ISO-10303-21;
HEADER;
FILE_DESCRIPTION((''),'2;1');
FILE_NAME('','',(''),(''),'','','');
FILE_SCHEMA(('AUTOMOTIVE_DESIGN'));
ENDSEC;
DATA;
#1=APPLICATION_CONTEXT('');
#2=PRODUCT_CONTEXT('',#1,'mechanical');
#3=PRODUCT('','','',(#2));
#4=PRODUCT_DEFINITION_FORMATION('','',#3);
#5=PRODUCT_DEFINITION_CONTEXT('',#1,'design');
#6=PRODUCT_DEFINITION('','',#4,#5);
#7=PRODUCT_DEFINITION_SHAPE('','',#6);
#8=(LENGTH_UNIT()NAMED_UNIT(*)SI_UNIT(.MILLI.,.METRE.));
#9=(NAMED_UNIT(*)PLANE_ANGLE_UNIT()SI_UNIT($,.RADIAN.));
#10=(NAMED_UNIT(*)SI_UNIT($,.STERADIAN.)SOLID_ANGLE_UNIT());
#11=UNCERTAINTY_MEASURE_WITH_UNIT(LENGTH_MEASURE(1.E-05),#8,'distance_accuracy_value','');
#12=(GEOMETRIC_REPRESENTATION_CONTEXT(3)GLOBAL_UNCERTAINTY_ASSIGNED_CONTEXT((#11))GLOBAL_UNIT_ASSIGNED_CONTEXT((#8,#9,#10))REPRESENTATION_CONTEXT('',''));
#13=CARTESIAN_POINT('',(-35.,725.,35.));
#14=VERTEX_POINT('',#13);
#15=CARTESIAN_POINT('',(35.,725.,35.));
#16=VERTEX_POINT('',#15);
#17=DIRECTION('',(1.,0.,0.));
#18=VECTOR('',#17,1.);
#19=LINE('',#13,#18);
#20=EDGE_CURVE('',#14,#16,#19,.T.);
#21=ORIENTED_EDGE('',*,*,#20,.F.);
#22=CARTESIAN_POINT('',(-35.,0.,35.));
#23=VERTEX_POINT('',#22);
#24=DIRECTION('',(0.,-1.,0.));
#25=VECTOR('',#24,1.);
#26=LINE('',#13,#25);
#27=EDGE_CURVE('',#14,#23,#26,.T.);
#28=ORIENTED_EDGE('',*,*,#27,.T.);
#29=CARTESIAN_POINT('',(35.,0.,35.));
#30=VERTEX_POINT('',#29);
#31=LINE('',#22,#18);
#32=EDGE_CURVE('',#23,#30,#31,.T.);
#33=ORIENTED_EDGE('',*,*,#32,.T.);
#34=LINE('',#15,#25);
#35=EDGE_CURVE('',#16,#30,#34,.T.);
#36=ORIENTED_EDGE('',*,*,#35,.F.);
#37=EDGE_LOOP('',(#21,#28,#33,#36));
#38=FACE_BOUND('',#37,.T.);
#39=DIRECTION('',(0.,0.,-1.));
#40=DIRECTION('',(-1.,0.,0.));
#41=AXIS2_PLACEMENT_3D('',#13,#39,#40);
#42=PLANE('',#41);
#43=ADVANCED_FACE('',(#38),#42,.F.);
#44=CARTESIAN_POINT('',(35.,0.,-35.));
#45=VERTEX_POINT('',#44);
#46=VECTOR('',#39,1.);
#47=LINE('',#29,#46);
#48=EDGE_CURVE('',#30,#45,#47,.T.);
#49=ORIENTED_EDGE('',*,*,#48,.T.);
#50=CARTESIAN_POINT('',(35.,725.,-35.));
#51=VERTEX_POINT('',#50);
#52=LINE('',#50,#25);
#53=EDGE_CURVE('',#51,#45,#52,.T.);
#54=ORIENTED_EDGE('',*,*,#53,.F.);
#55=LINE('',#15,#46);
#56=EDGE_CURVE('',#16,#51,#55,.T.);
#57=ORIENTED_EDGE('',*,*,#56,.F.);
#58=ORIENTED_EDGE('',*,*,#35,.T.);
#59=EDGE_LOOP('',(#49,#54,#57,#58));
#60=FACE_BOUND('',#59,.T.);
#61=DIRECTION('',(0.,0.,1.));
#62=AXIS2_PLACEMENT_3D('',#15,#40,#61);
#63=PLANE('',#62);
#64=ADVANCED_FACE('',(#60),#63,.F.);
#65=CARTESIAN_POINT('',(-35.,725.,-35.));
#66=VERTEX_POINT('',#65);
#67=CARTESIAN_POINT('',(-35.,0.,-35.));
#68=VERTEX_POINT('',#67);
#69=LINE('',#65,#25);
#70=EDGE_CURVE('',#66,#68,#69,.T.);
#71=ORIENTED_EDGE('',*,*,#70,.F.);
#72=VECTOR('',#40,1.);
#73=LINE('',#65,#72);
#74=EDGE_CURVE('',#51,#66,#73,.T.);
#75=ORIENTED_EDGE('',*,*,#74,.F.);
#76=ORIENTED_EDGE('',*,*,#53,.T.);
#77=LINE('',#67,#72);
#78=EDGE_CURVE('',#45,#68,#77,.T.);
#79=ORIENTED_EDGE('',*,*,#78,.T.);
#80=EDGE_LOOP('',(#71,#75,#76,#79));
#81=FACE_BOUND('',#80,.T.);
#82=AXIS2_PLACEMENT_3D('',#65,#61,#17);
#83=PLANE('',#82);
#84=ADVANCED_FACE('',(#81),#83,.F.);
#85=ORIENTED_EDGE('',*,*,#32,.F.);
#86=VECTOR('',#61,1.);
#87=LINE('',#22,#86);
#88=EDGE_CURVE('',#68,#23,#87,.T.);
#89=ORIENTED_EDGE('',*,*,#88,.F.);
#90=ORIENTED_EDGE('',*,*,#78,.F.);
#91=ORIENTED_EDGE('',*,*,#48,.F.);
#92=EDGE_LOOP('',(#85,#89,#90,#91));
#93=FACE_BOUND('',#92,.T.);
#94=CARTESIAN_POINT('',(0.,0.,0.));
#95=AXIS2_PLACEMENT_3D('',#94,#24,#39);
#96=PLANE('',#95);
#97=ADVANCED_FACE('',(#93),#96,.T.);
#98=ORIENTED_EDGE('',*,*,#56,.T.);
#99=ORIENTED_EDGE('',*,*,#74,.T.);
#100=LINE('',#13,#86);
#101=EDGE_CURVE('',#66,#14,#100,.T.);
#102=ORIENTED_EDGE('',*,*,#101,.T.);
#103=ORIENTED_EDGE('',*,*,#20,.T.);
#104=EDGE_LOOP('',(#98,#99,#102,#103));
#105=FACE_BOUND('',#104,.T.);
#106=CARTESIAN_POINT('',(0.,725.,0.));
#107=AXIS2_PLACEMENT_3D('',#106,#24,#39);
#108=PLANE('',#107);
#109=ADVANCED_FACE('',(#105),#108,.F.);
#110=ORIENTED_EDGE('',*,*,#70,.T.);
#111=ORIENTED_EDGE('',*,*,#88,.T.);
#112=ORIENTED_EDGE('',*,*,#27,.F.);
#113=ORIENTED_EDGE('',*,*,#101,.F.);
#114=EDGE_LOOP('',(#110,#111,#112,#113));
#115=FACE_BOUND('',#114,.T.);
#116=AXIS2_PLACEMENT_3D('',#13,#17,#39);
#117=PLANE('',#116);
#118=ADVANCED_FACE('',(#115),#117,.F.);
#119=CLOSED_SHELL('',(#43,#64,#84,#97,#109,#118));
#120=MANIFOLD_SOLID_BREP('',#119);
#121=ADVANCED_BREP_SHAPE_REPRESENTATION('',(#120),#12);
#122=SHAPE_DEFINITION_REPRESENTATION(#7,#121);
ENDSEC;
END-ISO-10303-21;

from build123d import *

# Parameters (mm, degrees)
CROQUIS_PATA_W       = 70
CROQUIS_PATA_H       = 70
PATA_70X70X725_DEPTH = 725


with BuildPart() as part:
    # Croquis_pata → Pata_70x70x725 (new body)
    with BuildSketch(Plane(origin=(0, 0, 0), x_dir=(1, 0, 0), z_dir=(0, 1, 0))):
        Rectangle(CROQUIS_PATA_W, CROQUIS_PATA_H)
    extrude(amount=PATA_70X70X725_DEPTH)


solid = part.part
